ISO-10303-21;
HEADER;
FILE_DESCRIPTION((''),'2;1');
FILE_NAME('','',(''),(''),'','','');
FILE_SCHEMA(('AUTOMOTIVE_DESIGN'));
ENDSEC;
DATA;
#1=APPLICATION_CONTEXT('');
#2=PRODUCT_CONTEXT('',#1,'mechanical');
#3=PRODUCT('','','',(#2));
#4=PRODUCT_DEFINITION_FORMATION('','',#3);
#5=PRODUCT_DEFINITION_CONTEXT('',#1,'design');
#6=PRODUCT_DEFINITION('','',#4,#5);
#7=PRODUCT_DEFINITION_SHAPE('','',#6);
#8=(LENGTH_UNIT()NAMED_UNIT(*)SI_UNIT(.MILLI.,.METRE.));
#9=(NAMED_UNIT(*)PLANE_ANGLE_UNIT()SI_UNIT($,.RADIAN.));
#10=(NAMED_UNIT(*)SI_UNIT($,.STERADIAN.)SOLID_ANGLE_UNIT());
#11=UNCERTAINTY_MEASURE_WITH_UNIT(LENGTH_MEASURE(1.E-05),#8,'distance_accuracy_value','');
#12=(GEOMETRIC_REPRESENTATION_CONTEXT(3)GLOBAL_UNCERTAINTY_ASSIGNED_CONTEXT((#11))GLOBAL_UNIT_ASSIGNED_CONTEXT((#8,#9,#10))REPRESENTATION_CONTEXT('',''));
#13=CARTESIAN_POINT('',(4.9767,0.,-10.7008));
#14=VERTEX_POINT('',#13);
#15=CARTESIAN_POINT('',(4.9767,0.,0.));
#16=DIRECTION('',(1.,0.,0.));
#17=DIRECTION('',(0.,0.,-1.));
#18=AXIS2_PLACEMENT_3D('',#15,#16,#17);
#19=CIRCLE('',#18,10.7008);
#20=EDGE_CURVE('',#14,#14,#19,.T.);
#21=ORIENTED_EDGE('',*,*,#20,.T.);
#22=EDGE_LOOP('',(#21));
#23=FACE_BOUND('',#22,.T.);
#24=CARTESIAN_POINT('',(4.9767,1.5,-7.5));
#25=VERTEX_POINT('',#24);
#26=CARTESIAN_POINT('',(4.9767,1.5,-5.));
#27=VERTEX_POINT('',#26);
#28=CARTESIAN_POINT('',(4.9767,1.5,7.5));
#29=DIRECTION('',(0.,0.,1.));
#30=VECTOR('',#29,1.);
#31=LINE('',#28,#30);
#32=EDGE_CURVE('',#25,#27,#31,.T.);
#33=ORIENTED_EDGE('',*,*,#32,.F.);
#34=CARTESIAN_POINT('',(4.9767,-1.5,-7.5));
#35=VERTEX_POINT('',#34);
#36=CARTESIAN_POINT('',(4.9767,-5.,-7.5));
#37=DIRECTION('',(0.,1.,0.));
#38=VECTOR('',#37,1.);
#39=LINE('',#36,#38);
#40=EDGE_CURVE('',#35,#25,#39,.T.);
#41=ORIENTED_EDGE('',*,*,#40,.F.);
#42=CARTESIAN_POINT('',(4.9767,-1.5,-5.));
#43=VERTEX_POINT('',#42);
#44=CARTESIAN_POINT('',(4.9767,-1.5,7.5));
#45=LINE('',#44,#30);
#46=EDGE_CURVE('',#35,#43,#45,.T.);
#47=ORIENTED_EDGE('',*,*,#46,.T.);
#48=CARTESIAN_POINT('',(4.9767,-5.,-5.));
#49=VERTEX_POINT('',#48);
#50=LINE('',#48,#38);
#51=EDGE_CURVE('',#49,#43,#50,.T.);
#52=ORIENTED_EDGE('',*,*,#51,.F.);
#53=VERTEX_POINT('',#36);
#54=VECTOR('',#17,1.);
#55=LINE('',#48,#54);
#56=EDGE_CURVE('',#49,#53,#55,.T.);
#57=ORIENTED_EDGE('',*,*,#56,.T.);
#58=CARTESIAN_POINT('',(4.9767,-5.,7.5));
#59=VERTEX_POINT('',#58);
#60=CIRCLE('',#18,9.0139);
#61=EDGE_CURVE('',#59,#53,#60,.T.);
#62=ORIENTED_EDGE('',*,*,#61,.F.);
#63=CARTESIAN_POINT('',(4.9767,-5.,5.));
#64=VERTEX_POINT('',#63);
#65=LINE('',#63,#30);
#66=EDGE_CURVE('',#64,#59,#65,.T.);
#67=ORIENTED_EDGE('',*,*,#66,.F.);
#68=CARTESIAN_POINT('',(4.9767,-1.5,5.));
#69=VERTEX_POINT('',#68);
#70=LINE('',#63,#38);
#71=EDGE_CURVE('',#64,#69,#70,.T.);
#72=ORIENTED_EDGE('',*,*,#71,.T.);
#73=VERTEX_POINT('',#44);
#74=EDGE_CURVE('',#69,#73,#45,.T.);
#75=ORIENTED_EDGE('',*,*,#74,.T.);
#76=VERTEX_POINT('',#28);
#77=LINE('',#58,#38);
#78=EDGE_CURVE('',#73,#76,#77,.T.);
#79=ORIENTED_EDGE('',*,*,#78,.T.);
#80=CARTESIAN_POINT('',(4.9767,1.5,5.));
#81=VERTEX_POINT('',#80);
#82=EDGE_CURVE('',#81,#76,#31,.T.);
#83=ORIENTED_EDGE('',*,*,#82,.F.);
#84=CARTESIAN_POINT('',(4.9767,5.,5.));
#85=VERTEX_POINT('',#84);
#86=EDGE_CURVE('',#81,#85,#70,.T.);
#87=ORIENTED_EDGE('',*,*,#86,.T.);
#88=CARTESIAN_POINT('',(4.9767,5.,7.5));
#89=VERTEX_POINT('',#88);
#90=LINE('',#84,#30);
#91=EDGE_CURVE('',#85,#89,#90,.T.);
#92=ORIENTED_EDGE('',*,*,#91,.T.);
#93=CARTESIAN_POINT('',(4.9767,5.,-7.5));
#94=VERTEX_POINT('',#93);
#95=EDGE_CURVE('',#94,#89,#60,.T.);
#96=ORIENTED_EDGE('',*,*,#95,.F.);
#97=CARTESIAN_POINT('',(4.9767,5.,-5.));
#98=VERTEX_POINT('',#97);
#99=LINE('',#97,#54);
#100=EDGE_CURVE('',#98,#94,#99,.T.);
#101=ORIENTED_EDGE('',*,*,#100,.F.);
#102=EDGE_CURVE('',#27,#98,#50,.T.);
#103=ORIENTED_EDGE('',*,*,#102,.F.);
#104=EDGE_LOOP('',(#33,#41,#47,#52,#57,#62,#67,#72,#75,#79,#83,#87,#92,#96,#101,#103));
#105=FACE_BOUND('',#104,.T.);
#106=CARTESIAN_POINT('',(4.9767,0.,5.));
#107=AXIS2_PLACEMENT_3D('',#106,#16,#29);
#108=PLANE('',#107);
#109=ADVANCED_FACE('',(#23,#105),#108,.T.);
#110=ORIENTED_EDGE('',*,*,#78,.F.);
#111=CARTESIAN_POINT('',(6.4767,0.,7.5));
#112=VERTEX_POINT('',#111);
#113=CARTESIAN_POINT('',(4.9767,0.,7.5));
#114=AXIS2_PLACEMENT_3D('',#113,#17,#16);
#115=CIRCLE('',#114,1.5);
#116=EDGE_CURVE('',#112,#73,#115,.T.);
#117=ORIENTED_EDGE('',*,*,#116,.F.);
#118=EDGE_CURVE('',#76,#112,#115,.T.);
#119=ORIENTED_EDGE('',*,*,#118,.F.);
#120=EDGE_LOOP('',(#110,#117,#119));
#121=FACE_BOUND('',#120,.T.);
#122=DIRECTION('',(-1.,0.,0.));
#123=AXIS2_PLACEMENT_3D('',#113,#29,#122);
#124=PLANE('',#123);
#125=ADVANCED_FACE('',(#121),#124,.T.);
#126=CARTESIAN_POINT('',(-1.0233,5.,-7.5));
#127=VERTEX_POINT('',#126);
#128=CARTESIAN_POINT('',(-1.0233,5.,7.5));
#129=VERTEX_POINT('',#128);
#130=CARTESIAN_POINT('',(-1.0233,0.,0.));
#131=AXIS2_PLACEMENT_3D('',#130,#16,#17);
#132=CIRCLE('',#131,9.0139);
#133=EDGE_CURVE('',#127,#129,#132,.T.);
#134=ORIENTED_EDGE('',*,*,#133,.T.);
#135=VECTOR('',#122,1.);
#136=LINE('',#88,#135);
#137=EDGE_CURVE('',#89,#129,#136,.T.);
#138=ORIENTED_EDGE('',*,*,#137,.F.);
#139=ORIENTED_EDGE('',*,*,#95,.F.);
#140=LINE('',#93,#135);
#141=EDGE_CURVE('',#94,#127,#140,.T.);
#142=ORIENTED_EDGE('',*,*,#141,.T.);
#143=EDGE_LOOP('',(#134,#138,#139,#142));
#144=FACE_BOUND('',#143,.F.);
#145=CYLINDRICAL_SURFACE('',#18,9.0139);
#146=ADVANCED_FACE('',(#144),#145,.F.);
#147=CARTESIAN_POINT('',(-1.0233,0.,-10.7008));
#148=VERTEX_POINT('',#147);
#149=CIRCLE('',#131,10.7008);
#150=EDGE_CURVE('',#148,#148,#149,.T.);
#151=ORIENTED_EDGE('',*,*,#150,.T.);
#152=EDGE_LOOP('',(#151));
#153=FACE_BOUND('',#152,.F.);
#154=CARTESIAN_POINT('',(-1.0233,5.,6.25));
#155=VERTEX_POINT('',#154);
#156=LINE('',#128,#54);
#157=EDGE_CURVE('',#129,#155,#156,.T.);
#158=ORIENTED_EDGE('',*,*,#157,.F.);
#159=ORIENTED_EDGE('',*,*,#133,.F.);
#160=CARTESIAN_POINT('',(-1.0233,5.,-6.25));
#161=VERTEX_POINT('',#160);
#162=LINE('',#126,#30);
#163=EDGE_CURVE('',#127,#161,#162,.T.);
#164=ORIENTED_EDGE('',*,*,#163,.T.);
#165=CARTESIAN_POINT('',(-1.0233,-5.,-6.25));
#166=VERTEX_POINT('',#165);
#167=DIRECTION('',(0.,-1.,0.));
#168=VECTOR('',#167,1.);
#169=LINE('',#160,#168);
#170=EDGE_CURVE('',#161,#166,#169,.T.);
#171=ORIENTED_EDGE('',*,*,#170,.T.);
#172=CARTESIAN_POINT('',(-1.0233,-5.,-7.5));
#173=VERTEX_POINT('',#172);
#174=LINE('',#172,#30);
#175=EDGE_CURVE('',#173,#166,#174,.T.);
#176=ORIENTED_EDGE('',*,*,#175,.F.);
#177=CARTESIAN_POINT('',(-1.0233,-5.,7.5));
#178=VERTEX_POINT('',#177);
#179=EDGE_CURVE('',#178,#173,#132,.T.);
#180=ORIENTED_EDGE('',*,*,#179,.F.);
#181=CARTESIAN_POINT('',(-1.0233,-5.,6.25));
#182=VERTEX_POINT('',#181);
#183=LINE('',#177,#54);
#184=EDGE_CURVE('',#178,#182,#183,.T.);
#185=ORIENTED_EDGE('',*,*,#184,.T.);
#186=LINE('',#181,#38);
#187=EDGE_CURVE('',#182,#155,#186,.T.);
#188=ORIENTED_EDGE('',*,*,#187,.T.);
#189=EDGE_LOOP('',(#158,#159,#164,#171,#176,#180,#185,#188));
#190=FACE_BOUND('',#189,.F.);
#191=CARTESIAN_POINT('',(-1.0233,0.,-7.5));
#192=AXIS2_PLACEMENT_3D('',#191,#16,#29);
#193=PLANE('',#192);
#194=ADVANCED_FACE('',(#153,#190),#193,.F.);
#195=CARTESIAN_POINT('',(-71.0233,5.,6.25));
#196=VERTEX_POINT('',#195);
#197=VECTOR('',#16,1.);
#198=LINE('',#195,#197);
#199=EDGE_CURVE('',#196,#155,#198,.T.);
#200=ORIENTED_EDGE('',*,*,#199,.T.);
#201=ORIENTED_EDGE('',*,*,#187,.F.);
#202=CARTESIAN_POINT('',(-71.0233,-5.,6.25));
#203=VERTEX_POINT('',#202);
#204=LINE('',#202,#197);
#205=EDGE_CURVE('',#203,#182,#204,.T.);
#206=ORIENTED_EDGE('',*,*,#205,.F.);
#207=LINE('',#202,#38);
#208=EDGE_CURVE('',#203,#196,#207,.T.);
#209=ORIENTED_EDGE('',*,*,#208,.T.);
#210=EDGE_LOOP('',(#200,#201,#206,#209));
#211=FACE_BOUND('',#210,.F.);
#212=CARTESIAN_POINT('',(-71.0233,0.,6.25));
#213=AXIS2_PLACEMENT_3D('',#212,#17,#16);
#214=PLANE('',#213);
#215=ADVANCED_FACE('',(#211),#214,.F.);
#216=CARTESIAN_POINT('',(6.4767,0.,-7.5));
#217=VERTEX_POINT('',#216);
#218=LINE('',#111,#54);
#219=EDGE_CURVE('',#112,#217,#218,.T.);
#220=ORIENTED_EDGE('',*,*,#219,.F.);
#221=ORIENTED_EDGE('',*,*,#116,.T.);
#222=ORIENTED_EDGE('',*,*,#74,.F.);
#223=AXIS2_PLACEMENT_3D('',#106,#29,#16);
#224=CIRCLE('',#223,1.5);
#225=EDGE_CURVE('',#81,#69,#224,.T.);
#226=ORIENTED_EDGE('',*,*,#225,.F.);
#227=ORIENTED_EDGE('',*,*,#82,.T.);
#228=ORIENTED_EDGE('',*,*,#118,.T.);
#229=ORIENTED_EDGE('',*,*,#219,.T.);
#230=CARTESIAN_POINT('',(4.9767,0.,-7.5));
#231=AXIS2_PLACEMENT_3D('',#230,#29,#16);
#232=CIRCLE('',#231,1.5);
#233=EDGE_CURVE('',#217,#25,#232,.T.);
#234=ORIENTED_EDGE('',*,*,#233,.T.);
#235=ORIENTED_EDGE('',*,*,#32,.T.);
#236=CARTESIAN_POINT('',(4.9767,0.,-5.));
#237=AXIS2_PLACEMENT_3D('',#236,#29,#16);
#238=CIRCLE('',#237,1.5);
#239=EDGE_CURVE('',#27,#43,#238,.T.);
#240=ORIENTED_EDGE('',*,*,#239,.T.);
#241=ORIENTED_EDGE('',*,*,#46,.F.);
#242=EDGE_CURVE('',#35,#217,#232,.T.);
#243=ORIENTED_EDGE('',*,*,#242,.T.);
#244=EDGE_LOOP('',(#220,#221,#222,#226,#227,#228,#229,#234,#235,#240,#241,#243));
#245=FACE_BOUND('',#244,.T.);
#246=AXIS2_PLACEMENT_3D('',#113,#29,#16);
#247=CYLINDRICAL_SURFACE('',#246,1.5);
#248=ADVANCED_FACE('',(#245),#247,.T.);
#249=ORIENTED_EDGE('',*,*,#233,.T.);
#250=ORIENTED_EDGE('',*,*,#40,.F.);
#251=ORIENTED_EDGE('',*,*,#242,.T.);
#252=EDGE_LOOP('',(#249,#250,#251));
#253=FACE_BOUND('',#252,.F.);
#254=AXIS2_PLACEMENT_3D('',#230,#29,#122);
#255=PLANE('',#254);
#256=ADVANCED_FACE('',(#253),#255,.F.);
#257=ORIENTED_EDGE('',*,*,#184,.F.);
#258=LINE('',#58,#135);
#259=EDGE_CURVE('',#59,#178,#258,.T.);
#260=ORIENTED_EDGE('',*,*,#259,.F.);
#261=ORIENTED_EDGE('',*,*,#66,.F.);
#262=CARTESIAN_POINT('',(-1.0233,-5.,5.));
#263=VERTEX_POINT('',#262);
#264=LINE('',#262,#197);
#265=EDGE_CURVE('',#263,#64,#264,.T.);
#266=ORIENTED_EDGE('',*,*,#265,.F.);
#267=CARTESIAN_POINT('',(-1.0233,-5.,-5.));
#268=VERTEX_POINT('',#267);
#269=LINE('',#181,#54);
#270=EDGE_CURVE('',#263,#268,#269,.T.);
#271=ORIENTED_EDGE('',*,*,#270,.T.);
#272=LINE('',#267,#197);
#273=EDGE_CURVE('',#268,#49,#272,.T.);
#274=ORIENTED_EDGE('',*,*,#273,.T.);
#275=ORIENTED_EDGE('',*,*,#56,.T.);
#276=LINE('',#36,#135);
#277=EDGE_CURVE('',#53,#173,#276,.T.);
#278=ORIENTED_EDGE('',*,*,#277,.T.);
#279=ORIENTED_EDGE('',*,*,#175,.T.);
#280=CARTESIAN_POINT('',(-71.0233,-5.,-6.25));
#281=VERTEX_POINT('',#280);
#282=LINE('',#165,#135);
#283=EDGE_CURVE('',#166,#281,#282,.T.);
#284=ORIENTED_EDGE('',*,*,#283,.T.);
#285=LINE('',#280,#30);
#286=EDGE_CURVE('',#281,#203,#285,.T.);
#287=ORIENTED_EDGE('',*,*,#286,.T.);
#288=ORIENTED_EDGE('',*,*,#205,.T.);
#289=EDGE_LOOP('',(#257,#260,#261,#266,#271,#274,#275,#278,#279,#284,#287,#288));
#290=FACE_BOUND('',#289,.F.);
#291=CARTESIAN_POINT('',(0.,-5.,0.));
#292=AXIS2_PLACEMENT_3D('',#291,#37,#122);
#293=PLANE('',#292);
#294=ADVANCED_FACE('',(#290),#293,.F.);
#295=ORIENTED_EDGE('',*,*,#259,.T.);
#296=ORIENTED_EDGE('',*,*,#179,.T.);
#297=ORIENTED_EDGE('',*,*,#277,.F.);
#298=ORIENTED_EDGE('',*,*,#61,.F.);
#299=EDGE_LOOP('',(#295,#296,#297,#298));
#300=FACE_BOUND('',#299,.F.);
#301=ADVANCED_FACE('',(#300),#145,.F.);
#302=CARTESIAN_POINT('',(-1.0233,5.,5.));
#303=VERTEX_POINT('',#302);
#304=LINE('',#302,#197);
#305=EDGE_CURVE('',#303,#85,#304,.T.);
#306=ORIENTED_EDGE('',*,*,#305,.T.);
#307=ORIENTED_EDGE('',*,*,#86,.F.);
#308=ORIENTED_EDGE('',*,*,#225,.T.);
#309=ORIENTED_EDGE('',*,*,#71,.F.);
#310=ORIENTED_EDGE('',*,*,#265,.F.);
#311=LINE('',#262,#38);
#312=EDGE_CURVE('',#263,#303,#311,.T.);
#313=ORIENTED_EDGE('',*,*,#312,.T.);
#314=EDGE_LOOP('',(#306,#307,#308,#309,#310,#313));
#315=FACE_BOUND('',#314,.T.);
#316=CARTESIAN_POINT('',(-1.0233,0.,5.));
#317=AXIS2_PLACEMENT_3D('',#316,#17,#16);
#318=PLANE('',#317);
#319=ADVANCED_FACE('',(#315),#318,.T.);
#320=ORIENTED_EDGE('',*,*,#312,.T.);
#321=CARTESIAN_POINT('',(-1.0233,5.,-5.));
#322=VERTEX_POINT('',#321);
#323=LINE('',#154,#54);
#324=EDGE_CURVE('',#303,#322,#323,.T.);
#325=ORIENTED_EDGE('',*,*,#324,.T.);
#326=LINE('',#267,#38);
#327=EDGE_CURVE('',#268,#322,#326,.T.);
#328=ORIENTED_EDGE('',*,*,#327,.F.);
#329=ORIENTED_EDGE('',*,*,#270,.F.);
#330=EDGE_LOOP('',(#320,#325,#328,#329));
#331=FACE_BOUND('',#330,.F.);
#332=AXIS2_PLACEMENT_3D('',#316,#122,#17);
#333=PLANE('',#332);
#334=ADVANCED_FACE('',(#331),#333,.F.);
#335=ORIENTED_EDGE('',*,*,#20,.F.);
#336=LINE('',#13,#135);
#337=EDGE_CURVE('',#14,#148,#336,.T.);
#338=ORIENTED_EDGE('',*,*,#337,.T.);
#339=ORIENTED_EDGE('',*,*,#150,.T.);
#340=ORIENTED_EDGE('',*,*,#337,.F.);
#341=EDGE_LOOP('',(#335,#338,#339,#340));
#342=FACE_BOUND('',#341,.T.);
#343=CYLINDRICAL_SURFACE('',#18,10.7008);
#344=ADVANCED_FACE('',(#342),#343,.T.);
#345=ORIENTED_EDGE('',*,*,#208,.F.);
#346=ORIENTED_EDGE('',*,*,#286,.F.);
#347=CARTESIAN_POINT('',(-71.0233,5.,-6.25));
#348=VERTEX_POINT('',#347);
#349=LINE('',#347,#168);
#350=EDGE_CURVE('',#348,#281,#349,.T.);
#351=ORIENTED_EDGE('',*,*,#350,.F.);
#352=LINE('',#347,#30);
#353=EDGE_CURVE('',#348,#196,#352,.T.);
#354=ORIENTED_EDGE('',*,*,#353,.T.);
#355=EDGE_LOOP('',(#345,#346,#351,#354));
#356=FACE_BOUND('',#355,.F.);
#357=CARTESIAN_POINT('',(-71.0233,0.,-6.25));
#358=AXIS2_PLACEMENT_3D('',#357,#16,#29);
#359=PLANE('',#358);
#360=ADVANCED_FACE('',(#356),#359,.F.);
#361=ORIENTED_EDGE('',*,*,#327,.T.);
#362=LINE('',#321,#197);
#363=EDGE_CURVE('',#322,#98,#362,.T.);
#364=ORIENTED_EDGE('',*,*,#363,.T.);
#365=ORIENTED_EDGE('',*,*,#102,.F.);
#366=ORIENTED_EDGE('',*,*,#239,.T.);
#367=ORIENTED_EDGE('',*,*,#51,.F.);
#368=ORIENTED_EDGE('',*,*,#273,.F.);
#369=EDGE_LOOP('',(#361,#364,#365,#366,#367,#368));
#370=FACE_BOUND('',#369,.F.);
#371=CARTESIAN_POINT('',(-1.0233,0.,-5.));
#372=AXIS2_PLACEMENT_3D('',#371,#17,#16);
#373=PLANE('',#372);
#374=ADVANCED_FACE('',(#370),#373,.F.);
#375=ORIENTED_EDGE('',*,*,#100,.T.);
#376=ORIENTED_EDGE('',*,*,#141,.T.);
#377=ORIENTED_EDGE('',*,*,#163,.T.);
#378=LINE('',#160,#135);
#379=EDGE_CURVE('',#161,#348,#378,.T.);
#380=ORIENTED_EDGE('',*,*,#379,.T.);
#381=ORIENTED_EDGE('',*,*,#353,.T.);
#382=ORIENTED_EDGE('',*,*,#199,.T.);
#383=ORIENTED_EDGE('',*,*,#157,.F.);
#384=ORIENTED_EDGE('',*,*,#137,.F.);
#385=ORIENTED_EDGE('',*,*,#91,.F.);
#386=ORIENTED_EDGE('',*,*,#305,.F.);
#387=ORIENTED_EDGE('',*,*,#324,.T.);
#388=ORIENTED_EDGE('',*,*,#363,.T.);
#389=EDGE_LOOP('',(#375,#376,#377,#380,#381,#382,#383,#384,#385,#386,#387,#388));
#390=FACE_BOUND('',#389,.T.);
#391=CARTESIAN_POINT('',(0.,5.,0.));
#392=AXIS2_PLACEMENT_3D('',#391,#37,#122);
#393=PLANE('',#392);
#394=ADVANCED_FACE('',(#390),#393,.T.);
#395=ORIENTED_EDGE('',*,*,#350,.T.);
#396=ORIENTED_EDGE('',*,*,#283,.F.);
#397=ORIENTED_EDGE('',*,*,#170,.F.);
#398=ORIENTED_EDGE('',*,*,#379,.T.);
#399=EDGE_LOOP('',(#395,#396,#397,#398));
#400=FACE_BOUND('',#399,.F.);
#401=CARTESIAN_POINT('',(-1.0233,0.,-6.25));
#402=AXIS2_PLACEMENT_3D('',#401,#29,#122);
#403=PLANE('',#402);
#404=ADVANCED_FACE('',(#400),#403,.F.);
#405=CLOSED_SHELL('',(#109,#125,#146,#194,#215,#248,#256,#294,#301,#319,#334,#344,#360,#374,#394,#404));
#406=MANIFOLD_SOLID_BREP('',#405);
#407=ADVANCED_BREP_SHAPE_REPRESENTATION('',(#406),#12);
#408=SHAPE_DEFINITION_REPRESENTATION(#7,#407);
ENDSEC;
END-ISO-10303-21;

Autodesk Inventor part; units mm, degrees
ref_plane "YZ Plane" through (0, 0, 0) normal (1, 0, 0) x (0, 1, 0)
ref_plane "XZ Plane" through (0, 0, 0) normal (0, 1, 0) x (-1, 0, 0)
ref_plane "XY Plane" through (0, 0, 0) normal (0, 0, 1) x (1, 0, 0)
sketch "草圖1" plane through (0, 0, 0) normal (0, 1, 0) x (-1, 0, 0)
  line L0 (71.0233, 6.25) -> (1.0233, 6.25)
  line L1 (1.0233, 6.25) -> (1.0233, -6.25)
  line L2 (1.0233, -6.25) -> (71.0233, -6.25)
  line L3 (71.0233, -6.25) -> (71.0233, 6.25)
  line L4 (1.0233, 5) -> (-4.9767, 5)
  line L5 (-4.9767, 5) -> (-4.9767, 7.5)
  line L6 (-4.9767, 7.5) -> (1.0233, 7.5)
  line L7 (1.0233, 7.5) -> (1.0233, 5)
  line L8 (1.0233, -5) -> (-4.9767, -5)
  line L9 (-4.9767, -5) -> (-4.9767, -7.5)
  line L10 (-4.9767, -7.5) -> (1.0233, -7.5)
  line L11 (1.0233, -7.5) -> (1.0233, -5)
  point P0 (0, 0)
  point P1 (1.0233, 6.25)
  dimension "d0" = 6
  dimension "d2" = 5
  dimension "d3" = 10
  dimension "d4" = 2.5
  dimension "d5" = 12.5
  dimension "d6" = 6.25
  dimension "d7" = 70
extrude "擠出1" add sketch "草圖1" along normal mid plane 10
sketch "草圖2" plane through (-1.0233, 5, 7.5) normal (0, 0, 1) x (1, 0, 0)
  line L0 (6, -10) -> (6, 0) projected
  circle A0 centre (6, -5) radius 1.5
  point P0 (1.0233, -5)
  dimension "d10" = 3
extrude "擠出2" add sketch "草圖2" against normal up to surface (15 mm away)
sketch "草圖3" plane through (4.9767, 5, 7.5) normal (1, 0, 0) x (0, 0, -1)
  line L0 (15, -10) -> (12.5, -10) projected
  circle A0 centre (7.5, -5) radius 9.0139
  circle A1 centre (7.5, -5) radius 10.7008
  line L1 (15, -3.5) -> (15, 0) projected
  line L2 (15, -10) -> (15, 0)
  line L3 (2.5, -10) -> (0, -10) projected
  line L4 (0, -3.5) -> (0, 0) projected
  line L5 (0, -10) -> (0, 0)
extrude "擠出3" add sketch "草圖3" against normal up to surface (6 mm away) contours A0 L2 L1 | L4 L5 A0 | A1
equation "\"d6\" = 0.5 * d5"
properties part number "axis_rf"
